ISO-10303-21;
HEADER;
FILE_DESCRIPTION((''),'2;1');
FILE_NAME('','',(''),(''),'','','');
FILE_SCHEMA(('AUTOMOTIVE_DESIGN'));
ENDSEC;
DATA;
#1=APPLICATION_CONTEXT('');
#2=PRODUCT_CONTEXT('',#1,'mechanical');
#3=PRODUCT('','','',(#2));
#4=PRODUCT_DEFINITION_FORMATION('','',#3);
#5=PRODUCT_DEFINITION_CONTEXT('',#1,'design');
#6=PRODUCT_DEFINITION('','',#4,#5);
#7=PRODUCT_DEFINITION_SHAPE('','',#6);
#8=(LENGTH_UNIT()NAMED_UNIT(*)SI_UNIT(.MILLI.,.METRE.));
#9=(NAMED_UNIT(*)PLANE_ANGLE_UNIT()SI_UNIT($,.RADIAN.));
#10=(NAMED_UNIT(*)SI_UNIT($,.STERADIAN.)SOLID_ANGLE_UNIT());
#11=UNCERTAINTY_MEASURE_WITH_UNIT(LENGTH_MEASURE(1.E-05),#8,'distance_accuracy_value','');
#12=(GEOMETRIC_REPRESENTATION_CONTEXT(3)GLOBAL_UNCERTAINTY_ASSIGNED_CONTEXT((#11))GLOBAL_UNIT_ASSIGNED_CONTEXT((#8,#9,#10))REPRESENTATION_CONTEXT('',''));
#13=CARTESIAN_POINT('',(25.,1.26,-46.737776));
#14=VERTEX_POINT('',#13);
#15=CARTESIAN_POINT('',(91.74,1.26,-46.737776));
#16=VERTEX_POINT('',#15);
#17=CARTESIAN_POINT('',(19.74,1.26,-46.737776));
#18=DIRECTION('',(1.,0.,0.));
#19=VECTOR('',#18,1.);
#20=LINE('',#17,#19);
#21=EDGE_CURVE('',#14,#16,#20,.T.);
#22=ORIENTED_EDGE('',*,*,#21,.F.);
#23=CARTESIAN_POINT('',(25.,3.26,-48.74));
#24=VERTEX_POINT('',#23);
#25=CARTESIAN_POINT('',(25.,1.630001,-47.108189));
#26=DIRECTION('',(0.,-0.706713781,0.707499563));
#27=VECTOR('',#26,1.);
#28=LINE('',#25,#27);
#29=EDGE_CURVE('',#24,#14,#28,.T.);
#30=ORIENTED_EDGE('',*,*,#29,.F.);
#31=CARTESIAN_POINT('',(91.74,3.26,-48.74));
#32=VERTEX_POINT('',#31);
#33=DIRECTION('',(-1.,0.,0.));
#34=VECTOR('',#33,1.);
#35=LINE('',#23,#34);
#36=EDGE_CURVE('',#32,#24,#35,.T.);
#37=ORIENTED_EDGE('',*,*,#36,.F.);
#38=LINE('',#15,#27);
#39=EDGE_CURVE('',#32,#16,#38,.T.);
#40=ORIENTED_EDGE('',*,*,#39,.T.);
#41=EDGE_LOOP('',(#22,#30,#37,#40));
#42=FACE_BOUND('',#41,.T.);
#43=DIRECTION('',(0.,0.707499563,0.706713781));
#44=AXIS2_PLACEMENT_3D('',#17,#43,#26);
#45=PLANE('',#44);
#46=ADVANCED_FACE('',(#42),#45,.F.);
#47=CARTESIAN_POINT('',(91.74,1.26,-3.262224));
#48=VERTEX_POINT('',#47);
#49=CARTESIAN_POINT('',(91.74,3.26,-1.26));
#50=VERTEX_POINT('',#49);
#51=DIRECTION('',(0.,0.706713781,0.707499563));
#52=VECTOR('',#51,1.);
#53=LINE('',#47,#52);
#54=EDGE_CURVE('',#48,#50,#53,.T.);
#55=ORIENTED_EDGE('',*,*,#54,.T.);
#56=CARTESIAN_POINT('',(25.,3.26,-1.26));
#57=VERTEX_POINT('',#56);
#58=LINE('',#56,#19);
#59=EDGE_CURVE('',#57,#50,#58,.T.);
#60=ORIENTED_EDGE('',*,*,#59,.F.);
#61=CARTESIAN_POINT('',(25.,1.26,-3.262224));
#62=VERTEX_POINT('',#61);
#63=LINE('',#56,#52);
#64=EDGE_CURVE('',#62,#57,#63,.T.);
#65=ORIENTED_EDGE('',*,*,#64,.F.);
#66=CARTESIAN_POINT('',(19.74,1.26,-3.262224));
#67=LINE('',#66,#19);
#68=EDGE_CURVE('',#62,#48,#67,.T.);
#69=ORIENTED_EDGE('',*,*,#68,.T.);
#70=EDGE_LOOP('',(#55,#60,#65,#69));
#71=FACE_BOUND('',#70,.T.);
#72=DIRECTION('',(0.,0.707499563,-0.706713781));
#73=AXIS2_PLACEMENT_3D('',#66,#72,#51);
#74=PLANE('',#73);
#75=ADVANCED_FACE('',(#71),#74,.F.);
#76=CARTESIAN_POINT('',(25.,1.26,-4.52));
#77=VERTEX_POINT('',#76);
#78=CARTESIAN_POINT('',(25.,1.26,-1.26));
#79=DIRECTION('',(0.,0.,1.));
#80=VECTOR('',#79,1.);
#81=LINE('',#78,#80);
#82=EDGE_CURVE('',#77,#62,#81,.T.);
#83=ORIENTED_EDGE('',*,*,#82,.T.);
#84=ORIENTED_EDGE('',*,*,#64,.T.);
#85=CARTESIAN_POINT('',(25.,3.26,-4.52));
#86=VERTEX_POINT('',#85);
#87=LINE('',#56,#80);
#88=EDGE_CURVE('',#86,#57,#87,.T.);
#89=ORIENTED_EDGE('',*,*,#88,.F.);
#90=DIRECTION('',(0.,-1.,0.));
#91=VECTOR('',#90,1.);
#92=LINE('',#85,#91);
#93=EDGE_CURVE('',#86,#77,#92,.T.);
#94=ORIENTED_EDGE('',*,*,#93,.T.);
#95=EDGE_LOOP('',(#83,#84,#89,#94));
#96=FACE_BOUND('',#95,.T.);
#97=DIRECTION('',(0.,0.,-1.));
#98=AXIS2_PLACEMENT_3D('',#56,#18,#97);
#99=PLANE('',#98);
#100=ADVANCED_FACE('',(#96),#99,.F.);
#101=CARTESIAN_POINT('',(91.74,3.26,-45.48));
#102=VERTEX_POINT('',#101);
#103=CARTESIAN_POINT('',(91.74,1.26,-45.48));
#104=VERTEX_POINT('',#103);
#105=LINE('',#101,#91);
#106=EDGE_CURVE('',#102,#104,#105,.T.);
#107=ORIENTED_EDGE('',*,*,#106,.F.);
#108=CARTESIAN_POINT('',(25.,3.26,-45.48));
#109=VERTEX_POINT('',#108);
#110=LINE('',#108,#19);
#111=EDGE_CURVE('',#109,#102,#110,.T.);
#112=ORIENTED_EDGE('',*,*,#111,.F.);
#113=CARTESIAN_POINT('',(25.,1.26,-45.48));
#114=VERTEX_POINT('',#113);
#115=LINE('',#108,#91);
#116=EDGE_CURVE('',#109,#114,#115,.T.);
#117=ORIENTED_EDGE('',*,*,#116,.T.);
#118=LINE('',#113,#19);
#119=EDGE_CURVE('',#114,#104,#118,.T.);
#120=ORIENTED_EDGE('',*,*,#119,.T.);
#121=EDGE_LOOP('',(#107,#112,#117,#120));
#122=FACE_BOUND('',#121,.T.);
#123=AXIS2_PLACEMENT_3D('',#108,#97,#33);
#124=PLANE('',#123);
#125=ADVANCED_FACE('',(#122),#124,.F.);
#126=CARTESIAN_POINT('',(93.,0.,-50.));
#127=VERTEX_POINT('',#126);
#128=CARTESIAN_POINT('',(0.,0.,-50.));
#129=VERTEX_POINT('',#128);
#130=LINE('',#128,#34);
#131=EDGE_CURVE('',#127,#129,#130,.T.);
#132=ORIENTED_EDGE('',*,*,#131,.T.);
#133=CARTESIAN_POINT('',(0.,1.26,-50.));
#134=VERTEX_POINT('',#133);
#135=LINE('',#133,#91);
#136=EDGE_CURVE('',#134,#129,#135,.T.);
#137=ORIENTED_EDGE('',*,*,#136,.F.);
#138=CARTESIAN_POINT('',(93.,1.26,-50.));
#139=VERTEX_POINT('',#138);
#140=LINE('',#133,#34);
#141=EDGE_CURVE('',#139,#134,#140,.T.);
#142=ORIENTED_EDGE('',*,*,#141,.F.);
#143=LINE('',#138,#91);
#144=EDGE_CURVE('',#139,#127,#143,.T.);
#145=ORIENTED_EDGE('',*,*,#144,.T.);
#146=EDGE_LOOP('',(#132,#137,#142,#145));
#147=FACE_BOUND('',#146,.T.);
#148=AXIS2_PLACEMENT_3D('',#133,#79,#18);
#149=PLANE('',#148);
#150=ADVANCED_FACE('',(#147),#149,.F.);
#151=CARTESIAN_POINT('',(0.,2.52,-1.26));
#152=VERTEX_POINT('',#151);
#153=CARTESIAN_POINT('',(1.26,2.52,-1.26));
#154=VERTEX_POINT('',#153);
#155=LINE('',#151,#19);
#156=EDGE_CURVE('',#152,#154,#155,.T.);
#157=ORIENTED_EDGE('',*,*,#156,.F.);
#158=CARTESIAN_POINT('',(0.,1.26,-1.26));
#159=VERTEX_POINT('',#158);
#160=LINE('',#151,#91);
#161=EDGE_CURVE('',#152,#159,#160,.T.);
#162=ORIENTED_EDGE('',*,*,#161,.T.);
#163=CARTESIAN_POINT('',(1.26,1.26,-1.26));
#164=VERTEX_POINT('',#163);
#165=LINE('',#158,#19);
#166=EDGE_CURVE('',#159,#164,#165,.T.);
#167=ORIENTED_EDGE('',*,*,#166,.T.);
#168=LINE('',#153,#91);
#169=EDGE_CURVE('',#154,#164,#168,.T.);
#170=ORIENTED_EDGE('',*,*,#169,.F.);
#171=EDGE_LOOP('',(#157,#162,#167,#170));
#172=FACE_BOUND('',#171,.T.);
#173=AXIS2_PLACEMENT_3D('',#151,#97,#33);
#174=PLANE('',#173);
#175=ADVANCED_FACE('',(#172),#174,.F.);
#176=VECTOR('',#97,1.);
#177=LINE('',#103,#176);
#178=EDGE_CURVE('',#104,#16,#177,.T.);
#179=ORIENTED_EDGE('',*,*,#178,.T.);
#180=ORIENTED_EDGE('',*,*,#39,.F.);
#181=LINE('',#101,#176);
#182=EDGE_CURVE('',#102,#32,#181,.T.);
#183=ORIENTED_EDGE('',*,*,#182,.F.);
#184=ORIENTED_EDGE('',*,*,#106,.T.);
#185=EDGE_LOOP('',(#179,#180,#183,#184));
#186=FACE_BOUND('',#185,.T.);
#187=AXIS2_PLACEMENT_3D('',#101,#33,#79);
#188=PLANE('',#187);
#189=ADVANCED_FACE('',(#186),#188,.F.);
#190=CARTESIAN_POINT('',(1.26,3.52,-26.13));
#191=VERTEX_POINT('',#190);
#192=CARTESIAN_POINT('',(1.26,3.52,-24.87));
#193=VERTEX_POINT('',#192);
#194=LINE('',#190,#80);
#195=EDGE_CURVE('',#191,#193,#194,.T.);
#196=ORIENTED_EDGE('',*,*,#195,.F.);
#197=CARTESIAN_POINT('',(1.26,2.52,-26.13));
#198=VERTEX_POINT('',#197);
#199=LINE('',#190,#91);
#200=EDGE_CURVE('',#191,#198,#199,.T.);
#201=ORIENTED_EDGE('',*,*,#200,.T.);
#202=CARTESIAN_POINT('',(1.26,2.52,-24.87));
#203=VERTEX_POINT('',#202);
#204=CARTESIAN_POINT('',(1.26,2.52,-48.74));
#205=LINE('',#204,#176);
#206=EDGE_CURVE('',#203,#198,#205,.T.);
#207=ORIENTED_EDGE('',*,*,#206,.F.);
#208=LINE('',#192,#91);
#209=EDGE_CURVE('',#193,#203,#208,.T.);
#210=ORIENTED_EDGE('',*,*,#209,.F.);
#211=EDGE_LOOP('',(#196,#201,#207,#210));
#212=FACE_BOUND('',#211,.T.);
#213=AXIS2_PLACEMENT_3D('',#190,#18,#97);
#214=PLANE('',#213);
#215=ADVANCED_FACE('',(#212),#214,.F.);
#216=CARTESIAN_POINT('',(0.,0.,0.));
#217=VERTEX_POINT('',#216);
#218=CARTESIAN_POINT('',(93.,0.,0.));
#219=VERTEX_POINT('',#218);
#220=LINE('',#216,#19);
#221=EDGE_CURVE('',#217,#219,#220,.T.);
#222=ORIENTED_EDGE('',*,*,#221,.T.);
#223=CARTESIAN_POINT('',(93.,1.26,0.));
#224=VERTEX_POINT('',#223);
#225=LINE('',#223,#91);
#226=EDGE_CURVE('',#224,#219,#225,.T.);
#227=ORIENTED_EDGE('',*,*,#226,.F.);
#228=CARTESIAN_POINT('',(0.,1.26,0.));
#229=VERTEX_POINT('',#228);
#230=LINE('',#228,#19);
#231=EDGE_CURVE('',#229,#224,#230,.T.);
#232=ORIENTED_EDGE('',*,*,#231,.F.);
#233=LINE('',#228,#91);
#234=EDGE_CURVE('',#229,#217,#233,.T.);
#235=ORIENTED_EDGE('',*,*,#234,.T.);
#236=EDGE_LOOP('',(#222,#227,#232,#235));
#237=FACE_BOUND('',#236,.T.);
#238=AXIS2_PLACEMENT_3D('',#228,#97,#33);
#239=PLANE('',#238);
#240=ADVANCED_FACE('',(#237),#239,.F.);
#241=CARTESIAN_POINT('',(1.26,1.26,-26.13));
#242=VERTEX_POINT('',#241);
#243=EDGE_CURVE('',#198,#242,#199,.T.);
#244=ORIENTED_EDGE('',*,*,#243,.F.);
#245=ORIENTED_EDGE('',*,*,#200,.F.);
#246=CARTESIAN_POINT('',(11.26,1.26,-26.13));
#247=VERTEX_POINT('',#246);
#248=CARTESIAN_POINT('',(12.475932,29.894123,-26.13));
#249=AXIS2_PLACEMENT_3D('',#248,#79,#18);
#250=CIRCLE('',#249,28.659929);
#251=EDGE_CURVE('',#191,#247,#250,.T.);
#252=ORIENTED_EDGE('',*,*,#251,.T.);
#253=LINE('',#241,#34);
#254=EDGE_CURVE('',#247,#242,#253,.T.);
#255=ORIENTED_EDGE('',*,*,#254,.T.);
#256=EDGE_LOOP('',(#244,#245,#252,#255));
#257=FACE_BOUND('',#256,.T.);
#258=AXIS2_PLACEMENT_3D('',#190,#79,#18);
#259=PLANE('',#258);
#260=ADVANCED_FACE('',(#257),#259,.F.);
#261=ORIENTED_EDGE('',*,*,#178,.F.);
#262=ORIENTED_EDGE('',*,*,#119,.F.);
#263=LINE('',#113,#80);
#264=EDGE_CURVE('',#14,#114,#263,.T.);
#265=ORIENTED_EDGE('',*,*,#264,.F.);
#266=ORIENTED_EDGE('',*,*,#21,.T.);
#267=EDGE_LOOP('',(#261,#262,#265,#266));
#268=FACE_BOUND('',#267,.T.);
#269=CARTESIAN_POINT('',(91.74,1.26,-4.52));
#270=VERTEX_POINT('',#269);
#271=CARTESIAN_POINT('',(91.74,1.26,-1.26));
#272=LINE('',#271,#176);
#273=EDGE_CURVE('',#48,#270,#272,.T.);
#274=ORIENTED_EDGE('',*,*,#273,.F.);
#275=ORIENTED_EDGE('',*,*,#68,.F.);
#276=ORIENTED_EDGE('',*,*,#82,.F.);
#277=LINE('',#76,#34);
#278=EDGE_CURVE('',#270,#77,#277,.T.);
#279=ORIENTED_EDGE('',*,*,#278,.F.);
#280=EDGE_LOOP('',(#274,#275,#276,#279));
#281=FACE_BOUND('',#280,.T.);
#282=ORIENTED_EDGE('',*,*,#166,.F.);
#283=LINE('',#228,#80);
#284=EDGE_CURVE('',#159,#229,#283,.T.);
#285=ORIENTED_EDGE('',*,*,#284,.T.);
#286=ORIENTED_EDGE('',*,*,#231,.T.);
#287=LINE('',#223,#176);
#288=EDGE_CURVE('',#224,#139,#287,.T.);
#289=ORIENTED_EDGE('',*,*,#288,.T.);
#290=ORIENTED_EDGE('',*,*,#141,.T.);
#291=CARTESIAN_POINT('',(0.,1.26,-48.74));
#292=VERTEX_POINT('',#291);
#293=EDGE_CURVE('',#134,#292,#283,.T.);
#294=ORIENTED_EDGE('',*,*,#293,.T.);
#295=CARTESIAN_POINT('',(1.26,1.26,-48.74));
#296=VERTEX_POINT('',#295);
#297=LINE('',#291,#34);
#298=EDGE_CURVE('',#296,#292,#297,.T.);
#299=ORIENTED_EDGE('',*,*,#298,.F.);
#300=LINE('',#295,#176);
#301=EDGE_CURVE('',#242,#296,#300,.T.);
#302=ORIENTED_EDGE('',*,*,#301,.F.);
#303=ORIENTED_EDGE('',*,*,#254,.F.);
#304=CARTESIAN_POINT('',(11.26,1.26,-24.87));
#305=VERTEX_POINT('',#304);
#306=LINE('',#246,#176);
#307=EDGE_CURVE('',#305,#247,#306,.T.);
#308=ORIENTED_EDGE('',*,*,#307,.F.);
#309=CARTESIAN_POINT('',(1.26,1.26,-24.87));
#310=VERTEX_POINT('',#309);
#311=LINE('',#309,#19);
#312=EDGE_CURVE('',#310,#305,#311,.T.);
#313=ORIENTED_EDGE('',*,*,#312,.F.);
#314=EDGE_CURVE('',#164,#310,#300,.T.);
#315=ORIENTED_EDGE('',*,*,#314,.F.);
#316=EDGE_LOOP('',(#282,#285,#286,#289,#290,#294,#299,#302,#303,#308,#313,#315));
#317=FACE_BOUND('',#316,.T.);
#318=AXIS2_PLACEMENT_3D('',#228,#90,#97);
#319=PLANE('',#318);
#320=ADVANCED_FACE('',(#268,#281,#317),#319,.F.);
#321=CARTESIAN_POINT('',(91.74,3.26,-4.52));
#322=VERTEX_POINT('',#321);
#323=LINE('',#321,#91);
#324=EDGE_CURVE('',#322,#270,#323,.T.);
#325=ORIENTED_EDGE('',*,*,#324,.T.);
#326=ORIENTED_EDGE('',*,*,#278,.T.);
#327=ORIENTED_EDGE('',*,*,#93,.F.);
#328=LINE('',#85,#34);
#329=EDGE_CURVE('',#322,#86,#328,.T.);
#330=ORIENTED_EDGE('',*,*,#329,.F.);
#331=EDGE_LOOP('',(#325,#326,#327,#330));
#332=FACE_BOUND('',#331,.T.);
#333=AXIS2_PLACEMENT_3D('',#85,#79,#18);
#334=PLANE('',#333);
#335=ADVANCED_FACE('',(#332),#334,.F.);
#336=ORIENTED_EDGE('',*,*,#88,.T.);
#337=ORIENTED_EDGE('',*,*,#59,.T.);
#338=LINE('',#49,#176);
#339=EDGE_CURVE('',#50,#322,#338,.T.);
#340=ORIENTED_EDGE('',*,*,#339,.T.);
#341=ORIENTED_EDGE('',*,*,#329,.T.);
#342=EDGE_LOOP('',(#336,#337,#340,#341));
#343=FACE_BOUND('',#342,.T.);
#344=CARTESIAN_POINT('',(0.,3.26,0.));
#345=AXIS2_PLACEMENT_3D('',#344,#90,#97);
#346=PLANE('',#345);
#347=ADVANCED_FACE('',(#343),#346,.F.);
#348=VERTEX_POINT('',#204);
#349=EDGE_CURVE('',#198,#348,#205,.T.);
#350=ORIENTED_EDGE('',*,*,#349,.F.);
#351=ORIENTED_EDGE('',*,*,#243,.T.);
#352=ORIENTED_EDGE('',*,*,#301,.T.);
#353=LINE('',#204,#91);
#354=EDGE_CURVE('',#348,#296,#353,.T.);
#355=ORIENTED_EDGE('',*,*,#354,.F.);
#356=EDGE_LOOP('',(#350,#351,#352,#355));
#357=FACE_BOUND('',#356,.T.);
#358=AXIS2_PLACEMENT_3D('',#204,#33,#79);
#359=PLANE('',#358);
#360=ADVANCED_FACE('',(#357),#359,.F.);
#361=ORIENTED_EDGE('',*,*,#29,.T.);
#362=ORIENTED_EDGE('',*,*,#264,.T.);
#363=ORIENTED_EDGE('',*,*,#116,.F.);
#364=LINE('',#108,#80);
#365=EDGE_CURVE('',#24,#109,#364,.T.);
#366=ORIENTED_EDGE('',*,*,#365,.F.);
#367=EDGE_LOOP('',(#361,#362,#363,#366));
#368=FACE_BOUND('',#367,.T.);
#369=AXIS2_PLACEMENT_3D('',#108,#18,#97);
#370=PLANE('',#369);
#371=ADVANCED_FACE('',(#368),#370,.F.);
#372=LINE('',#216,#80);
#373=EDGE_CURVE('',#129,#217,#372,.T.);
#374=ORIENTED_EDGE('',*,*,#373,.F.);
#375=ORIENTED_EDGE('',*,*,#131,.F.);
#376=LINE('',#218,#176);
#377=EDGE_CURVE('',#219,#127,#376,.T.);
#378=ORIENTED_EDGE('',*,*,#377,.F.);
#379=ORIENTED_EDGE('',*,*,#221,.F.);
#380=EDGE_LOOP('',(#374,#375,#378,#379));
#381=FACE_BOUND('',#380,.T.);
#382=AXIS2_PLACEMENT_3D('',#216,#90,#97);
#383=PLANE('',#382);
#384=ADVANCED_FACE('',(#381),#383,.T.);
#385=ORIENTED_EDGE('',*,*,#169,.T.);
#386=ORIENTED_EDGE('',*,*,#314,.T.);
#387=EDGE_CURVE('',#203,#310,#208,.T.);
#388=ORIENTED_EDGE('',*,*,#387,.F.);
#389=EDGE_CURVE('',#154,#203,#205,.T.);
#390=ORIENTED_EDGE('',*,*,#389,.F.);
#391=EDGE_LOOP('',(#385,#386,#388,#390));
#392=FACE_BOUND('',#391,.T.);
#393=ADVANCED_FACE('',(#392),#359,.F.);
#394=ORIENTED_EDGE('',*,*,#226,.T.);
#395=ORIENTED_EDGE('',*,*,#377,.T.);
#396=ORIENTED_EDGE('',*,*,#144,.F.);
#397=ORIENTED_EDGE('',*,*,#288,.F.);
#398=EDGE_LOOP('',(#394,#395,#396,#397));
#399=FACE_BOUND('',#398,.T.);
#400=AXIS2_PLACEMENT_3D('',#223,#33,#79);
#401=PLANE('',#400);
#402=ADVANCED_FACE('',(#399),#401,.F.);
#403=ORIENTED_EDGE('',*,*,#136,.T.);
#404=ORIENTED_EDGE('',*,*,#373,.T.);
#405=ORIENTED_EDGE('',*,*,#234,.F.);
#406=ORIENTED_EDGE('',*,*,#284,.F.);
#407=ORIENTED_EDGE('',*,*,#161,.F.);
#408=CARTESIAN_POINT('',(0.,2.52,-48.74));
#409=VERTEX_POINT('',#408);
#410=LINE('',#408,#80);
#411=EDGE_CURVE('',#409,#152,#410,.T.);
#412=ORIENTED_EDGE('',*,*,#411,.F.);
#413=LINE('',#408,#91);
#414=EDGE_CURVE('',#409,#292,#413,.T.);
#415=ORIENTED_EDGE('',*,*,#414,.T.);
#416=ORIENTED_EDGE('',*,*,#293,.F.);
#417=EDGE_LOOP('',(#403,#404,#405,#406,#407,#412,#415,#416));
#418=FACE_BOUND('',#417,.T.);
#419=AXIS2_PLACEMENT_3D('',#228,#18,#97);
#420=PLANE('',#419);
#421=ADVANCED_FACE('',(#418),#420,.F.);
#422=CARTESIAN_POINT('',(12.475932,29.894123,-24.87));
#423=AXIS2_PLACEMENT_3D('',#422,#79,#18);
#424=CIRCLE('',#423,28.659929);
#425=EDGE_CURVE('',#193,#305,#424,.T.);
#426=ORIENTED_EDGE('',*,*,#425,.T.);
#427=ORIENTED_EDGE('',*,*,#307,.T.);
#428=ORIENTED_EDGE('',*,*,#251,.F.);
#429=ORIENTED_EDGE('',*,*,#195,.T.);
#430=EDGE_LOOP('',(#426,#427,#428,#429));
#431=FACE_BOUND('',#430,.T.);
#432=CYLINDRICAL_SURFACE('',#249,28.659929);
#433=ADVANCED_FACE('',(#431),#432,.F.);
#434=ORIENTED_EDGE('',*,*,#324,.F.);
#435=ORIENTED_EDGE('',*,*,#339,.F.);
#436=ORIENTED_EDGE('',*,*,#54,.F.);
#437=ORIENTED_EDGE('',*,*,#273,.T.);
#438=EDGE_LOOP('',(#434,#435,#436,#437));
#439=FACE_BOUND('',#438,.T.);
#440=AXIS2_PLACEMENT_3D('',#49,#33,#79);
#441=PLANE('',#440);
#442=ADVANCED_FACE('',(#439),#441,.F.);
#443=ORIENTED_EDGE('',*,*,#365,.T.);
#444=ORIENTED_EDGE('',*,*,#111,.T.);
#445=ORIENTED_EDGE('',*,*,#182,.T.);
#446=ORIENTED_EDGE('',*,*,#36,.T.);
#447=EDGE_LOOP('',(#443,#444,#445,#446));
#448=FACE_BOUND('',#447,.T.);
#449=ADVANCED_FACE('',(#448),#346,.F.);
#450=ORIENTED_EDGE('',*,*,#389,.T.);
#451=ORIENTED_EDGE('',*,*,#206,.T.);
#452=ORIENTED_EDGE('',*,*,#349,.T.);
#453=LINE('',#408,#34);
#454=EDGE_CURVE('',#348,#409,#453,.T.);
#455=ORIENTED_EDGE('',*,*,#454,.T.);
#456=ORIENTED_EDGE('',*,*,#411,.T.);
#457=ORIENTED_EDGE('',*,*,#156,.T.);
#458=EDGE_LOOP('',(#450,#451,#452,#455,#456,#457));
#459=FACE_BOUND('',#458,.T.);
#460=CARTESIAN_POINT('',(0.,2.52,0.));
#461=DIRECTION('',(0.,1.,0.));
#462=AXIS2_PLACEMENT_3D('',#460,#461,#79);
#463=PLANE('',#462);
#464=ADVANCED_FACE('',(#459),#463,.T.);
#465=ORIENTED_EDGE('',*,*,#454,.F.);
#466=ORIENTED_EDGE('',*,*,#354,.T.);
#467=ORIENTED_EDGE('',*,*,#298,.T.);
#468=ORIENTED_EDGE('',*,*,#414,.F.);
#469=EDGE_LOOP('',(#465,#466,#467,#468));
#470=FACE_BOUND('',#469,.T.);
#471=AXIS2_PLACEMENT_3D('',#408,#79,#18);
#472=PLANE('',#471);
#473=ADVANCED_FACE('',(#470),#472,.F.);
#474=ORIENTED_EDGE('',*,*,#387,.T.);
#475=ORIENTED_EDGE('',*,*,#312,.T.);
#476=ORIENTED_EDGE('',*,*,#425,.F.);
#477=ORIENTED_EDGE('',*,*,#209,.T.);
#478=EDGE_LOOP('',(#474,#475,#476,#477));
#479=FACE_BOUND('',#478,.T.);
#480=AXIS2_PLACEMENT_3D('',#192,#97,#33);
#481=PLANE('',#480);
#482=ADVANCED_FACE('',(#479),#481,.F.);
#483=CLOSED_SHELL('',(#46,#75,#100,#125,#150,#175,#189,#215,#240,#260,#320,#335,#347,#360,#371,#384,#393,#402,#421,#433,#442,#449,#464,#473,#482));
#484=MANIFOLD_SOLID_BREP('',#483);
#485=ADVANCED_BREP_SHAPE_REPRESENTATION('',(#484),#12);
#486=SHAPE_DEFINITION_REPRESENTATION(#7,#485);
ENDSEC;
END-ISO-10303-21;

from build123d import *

# Parameters (mm, degrees)
ESBO_O1_W                = 93
ESBO_O1_H                = 50
RESSALTO_EXTRUS_O1_DEPTH = 1.26
ESBO_O2_W                = 1.26
ESBO_O2_H                = 47.48
RESSALTO_EXTRUS_O2_DEPTH = 1.26
ESBO_O3_W                = 10
ESBO_O3_H                = 1.26
RESSALTO_EXTRUS_O3_DEPTH = 2.26
CORTE_EXTRUS_O1_DEPTH    = 1.26
ESBO_O5_W                = 66.74
ESBO_O5_H                = 3.26
RESSALTO_EXTRUS_O4_DEPTH = 2
CORTE_EXTRUS_O3_DEPTH    = 72


with BuildPart() as part:
    # Esboço1 → Ressalto-extrusão1 (new body)
    with BuildSketch(Plane(origin=(0, 0, 0), x_dir=(1, 0, 0), z_dir=(0, 1, 0))):
        with Locations((46.5, 25)):
            Rectangle(ESBO_O1_W, ESBO_O1_H)
    extrude(amount=RESSALTO_EXTRUS_O1_DEPTH)

    # Esboço2 → Ressalto-extrusão2 (add)
    with BuildSketch(Plane(origin=(0, 1.26, 0), x_dir=(1, 0, 0), z_dir=(0, 1, 0))):
        with Locations((0.63, 25)):
            Rectangle(ESBO_O2_W, ESBO_O2_H)
    extrude(amount=RESSALTO_EXTRUS_O2_DEPTH)

    # Esboço3 → Ressalto-extrusão3 (add)
    with BuildSketch(Plane(origin=(0, 1.26, 0), x_dir=(1, 0, 0), z_dir=(0, 1, 0))):
        with Locations((6.26, 25.5)):
            Rectangle(ESBO_O3_W, ESBO_O3_H)
    extrude(amount=RESSALTO_EXTRUS_O3_DEPTH)

    # Esboço4 → Corte-extrusão1 (cut)
    with BuildSketch(Plane.XY.offset(-24.87)):
        with BuildLine():
            Line((1.26, 3.52), (11.26, 3.52))
            Line((11.26, 3.52), (11.26, 1.26))
            ThreePointArc((11.26, 1.26), (6.158122993, 1.939216781), (1.26, 3.52))
        make_face()
    extrude(amount=-CORTE_EXTRUS_O1_DEPTH, mode=Mode.SUBTRACT)

    # Esboço5 → Ressalto-extrusão4 (add)
    with BuildSketch(Plane(origin=(0, 1.26, 0), x_dir=(1, 0, 0), z_dir=(0, 1, 0))):
        with Locations((58.37, 2.89)):
            Rectangle(ESBO_O5_W, ESBO_O5_H)
        with Locations((58.37, 47.11)):
            Rectangle(ESBO_O5_W, ESBO_O5_H)
    extrude(amount=RESSALTO_EXTRUS_O4_DEPTH)

    # Esboço6 → Corte-extrusão3 (cut)
    with BuildSketch(Plane(origin=(91.74, 0, 0), x_dir=(0, 0, -1), z_dir=(1, 0, 0))):
        Polygon((3.262223764, 1.26), (1.26, 3.26), (1.26, 1.26), align=None)
        Polygon((46.737776236, 1.26), (48.74, 3.26), (48.74, 1.26), align=None)
    extrude(amount=-CORTE_EXTRUS_O3_DEPTH, mode=Mode.SUBTRACT)


solid = part.part
